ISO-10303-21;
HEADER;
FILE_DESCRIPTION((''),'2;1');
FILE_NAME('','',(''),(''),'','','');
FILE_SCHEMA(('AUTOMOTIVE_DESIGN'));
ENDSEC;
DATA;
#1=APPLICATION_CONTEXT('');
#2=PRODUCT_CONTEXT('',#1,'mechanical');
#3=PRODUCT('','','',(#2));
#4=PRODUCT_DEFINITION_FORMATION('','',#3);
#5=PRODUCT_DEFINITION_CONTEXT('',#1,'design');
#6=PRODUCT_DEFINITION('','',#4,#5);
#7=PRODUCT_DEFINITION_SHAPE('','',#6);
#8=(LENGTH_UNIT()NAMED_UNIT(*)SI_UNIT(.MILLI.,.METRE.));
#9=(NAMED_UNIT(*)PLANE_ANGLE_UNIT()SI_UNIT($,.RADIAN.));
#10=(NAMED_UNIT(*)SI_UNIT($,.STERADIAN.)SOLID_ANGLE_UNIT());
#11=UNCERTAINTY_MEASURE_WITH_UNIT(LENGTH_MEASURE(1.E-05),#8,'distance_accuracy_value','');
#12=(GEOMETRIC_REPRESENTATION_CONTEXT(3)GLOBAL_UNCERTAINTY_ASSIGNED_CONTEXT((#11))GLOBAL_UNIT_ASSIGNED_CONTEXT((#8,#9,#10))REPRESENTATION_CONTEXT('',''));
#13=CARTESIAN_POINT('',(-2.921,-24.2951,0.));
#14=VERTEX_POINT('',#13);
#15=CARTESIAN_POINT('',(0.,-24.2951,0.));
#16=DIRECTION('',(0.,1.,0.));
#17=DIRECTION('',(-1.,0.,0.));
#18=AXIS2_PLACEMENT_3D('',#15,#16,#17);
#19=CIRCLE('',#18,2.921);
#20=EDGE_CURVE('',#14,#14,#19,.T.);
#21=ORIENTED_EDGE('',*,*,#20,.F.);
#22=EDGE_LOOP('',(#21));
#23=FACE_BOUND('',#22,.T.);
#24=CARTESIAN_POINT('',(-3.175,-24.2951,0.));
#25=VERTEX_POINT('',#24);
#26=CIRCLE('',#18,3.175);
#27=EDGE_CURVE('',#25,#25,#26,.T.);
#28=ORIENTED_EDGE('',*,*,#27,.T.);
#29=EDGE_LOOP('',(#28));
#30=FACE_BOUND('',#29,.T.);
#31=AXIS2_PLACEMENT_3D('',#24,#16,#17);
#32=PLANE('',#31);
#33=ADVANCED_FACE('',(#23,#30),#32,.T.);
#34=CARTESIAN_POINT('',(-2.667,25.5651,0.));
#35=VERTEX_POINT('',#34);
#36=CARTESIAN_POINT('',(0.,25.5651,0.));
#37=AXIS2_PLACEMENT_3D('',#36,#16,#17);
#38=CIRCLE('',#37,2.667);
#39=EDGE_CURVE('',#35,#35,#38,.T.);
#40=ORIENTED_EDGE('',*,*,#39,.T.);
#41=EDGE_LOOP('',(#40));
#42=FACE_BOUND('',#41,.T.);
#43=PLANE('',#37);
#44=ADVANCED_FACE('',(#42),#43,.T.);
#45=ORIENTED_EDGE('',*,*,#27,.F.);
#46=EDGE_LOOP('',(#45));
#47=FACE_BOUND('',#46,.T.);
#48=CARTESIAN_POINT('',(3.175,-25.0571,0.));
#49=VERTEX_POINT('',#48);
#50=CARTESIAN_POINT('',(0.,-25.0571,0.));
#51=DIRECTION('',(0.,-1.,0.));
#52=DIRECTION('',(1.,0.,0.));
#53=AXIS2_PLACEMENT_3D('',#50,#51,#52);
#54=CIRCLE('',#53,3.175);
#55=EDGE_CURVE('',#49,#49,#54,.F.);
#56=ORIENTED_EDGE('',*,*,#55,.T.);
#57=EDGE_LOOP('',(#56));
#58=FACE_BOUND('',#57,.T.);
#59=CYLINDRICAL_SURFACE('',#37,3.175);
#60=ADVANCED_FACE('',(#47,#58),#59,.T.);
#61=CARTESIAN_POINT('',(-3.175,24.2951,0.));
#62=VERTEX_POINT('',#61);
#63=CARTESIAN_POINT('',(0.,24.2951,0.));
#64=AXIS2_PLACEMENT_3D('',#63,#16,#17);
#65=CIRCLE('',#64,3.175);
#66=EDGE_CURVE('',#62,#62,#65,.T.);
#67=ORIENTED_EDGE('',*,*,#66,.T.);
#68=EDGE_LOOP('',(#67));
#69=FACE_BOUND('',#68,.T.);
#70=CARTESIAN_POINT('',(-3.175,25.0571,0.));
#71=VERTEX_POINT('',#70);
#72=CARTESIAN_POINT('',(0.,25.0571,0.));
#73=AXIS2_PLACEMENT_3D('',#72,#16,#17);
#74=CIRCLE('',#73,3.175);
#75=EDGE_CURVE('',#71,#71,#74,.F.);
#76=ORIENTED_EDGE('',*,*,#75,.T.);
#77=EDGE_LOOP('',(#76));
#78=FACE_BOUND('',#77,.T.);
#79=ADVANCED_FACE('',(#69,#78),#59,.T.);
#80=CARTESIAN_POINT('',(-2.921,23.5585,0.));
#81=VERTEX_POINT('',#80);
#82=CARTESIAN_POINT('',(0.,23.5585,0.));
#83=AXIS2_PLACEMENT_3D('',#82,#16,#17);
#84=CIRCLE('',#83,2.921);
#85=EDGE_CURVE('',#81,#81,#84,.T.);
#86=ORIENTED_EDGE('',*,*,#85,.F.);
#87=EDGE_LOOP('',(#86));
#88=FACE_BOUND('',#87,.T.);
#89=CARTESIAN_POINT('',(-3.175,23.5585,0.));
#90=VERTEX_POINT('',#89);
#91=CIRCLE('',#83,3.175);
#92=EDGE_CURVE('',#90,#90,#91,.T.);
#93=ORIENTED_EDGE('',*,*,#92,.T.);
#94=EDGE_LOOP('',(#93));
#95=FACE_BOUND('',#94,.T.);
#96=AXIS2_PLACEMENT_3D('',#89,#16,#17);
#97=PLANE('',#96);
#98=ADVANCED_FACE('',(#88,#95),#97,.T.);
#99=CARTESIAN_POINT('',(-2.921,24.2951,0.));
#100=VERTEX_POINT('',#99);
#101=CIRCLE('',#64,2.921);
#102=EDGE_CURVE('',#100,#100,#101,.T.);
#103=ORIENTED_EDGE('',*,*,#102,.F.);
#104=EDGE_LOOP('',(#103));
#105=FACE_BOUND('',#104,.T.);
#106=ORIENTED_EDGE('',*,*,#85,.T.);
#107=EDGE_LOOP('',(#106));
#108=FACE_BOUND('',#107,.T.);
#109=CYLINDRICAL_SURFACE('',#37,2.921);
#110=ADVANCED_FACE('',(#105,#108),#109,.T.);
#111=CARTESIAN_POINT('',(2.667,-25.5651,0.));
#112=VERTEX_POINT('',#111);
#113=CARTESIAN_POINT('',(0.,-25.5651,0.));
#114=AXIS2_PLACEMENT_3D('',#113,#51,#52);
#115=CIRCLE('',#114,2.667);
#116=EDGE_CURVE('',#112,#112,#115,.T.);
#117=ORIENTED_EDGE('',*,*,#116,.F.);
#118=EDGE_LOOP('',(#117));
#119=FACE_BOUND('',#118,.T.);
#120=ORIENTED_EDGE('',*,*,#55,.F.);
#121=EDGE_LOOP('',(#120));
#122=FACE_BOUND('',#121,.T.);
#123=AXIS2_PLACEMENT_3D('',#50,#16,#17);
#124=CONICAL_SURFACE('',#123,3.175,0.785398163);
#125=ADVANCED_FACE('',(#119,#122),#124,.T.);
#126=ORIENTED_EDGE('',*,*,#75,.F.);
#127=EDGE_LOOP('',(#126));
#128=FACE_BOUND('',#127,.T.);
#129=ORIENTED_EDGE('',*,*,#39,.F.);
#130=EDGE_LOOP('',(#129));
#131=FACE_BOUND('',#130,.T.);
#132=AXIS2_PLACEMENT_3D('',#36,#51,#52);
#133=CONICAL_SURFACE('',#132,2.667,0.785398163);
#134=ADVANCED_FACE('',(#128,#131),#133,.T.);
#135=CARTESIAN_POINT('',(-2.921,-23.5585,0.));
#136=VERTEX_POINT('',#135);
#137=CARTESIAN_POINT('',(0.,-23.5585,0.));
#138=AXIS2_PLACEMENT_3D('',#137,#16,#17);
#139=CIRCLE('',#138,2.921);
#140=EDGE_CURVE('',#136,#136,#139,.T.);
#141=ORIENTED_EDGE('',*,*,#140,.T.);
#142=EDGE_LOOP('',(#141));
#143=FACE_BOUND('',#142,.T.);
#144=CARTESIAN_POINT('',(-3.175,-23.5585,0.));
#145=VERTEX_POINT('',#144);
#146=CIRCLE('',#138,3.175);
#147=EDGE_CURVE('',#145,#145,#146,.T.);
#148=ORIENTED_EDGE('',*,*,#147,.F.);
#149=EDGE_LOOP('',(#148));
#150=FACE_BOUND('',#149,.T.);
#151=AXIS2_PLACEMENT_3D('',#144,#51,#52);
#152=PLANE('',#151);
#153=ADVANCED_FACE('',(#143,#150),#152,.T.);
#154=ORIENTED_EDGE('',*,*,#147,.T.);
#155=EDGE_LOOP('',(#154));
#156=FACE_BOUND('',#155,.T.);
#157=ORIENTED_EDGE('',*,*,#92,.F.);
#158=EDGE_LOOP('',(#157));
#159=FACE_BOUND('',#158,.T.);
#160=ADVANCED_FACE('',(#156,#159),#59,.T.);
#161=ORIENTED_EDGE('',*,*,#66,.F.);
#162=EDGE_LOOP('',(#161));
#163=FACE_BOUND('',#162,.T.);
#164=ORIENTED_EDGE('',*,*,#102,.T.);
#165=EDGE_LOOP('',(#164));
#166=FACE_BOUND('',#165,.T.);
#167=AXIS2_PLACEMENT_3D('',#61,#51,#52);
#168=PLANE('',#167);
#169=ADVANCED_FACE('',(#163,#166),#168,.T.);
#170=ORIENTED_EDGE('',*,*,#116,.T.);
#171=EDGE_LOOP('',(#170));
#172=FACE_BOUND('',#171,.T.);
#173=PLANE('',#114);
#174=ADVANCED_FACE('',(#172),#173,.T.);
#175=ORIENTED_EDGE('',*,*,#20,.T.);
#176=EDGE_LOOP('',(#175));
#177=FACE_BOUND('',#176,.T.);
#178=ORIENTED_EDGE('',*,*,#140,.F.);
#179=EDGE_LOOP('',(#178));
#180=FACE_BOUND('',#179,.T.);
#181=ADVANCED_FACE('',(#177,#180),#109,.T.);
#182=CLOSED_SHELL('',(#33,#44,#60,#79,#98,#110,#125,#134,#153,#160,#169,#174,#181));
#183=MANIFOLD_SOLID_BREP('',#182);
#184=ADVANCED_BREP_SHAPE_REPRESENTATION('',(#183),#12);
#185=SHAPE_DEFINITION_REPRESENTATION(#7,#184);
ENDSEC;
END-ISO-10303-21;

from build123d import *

# Parameters (mm, degrees)
CHAMFER1_SIZE = 0.508


with BuildPart() as part:
    # Sketch1 → Revolve1 (revolve)
    with BuildSketch(Plane.XY):
        Polygon((-3.175, 23.5585), (-3.175, -23.5585), (-2.921, -23.5585), (-2.921, -24.2951), (-3.175, -24.2951), (-3.175, -25.5651), (0, -25.5651), (0, 25.5651), (-3.175, 25.5651), (-3.175, 24.2951), (-2.921, 24.2951), (-2.921, 23.5585), align=None)
    revolve(axis=Axis((0, 25.5651, 0), (0, -1, 0)))

    # Chamfer1
    chamfer1_edges = [part.edges().sort_by_distance(p)[0] for p in [
        (3.175, -25.5651, 0),
        (3.175, 25.5651, 0),
    ]]
    chamfer(chamfer1_edges, length=CHAMFER1_SIZE)


solid = part.part
